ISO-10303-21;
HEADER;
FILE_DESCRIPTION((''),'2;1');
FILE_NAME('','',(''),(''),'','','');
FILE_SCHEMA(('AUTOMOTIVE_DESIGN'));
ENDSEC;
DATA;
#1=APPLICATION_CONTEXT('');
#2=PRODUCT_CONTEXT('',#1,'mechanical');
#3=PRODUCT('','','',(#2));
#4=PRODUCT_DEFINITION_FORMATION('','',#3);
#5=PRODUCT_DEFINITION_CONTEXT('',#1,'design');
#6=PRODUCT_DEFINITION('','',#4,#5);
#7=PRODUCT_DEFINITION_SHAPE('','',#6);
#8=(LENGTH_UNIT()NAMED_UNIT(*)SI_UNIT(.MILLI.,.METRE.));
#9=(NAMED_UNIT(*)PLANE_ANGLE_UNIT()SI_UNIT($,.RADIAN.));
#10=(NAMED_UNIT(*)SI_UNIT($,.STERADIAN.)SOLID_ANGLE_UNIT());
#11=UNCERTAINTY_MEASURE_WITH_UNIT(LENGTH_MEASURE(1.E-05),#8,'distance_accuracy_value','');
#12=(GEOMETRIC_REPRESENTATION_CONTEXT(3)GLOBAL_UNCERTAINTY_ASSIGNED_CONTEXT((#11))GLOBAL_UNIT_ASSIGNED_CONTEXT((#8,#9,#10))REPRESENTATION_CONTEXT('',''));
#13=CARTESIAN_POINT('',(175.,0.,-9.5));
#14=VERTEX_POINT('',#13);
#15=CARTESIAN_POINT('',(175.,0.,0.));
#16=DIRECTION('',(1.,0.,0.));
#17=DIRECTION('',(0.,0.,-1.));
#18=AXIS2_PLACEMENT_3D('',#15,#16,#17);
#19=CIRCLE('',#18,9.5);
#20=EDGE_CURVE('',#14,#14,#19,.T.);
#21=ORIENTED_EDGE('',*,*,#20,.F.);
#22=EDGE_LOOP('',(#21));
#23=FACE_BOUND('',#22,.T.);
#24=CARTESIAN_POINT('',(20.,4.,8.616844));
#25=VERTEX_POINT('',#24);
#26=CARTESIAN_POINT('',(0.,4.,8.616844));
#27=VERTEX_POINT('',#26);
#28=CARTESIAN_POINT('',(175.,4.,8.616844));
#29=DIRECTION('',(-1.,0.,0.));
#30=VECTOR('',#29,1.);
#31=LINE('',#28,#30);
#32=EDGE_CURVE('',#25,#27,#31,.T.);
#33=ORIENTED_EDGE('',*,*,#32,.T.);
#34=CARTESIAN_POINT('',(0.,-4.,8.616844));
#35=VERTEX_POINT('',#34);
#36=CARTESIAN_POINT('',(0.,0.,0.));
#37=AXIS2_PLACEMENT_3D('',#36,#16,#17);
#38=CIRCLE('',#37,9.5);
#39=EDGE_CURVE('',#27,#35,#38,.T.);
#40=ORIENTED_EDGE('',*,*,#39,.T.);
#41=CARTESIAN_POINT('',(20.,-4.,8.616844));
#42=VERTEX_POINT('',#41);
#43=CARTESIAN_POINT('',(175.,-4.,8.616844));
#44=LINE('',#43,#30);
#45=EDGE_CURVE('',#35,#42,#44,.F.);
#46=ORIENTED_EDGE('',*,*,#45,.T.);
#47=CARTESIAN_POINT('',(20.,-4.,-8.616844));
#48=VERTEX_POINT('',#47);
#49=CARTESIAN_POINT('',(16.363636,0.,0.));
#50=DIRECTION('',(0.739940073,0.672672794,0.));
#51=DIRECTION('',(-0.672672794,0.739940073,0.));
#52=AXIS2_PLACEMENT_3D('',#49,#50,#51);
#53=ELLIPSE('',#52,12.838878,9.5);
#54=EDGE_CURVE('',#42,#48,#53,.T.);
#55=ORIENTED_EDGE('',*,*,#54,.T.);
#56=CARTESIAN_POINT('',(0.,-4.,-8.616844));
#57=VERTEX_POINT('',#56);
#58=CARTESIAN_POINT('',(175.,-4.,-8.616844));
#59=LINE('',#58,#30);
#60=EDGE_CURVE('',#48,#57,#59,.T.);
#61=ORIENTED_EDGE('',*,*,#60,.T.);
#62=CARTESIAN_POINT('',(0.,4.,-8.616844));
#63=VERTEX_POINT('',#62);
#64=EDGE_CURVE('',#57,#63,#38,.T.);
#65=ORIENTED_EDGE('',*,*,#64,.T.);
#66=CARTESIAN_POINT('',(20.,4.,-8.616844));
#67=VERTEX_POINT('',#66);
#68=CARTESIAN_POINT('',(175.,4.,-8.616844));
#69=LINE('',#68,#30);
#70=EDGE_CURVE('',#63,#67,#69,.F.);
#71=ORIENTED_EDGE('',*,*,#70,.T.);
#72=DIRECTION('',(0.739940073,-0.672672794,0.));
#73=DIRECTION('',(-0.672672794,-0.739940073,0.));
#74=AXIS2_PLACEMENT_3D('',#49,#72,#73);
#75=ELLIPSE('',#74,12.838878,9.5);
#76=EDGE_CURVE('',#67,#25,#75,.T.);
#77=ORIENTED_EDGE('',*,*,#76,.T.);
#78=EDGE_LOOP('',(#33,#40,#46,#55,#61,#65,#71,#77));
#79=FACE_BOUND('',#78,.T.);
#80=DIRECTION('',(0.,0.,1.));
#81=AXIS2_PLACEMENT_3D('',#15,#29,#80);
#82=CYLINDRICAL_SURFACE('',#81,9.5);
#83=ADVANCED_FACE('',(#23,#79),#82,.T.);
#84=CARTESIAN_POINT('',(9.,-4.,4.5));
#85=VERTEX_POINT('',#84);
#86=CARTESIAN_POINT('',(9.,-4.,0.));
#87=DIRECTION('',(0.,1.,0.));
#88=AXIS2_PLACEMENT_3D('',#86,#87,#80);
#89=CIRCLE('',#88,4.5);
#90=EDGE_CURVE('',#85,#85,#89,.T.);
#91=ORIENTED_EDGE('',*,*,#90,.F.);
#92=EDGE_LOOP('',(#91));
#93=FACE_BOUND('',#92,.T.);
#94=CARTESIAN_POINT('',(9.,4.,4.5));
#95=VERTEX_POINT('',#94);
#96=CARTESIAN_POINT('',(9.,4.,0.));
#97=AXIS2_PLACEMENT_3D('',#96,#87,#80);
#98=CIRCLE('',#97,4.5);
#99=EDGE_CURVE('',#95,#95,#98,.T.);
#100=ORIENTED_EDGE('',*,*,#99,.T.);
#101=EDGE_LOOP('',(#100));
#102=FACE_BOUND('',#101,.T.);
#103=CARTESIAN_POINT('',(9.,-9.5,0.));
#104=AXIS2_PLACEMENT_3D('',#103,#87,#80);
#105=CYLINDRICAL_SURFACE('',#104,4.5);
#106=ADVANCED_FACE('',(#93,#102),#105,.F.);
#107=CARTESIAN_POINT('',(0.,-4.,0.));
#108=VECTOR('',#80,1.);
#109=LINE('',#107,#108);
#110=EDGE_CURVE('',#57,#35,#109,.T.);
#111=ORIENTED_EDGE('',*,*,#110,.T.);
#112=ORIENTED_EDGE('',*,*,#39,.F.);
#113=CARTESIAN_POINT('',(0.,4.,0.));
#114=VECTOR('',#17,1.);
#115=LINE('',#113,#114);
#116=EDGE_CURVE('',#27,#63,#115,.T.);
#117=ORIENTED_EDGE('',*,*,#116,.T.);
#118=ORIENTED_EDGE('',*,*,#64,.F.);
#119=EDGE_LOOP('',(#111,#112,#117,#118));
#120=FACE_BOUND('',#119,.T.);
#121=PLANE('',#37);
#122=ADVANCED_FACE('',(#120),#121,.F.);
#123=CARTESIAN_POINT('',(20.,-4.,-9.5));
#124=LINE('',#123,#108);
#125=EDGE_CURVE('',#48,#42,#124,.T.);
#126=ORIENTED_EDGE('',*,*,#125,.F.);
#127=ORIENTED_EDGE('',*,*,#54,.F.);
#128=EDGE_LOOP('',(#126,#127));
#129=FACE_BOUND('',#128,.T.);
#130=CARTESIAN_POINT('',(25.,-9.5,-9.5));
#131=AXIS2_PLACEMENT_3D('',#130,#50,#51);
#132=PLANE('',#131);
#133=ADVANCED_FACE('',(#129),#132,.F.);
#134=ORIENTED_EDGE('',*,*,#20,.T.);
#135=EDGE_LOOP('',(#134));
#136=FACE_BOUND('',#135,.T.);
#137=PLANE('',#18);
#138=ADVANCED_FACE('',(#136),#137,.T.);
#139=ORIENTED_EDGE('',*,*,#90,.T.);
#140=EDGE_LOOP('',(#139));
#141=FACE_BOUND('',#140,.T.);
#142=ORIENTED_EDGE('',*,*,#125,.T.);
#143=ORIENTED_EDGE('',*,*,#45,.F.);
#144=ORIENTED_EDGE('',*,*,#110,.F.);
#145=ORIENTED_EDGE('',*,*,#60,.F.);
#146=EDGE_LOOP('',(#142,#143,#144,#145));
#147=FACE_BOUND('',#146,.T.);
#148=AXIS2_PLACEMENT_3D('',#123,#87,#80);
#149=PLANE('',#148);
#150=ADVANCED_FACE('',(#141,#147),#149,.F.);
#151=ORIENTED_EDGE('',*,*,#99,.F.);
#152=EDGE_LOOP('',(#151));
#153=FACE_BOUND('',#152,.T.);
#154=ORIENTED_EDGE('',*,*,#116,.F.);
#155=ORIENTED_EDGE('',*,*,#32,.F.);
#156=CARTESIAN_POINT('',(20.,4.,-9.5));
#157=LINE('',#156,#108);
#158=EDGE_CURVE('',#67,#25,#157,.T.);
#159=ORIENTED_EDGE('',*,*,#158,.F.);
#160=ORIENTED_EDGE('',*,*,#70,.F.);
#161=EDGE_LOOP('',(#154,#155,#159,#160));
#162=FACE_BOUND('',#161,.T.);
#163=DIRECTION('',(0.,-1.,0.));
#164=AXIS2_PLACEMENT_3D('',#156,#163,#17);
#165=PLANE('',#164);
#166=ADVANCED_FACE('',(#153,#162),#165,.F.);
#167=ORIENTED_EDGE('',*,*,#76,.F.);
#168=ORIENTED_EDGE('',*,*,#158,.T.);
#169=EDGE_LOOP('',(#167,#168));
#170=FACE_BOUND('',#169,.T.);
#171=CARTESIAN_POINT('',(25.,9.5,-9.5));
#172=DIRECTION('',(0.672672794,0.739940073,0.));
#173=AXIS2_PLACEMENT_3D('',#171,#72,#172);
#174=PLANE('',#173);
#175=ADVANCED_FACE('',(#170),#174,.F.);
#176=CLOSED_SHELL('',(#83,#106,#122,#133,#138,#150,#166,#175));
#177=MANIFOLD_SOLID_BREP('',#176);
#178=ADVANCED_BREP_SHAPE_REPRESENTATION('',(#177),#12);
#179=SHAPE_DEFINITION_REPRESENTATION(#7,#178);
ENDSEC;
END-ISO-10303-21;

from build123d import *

# Parameters (mm, degrees)
SKETCH1_R               = 9.5
BOSS_EXTRUDE1_DEPTH     = 175
CUT_EXTRUDE1_DEPTH      = 176.514956628
CUT_EXTRUDE1_DEPTH_BACK = 176.514956628
SKETCH4_R               = 4.5
CUT_EXTRUDE2_DEPTH      = 176.776847167


with BuildPart() as part:
    # Sketch1 → Boss-Extrude1 (new body)
    with BuildSketch(Plane(origin=(0, 0, 0), x_dir=(0, 0, -1), z_dir=(1, 0, 0))):
        Circle(SKETCH1_R)
    extrude(amount=BOSS_EXTRUDE1_DEPTH)

    # Sketch3 → Cut-Extrude1 (cut, two sides: drawn at the far end of the back side and taken through both)
    with BuildSketch(Plane.XY.offset(-CUT_EXTRUDE1_DEPTH_BACK)):
        Polygon((20, 4), (0, 4), (0, 9.5), (25, 9.5), align=None)
        Polygon((20, -4), (0, -4), (0, -9.5), (25, -9.5), align=None)
    extrude(amount=CUT_EXTRUDE1_DEPTH + CUT_EXTRUDE1_DEPTH_BACK, mode=Mode.SUBTRACT)

    # Sketch4 → Cut-Extrude2 (cut, through all)
    with BuildSketch(Plane(origin=(0, 4, 0), x_dir=(1, 0, 0), z_dir=(0, 1, 0))):
        with Locations(Location((9, 0, 0), (0, 0, 270))):
            Circle(SKETCH4_R)
    extrude(amount=-CUT_EXTRUDE2_DEPTH, mode=Mode.SUBTRACT)


solid = part.part
